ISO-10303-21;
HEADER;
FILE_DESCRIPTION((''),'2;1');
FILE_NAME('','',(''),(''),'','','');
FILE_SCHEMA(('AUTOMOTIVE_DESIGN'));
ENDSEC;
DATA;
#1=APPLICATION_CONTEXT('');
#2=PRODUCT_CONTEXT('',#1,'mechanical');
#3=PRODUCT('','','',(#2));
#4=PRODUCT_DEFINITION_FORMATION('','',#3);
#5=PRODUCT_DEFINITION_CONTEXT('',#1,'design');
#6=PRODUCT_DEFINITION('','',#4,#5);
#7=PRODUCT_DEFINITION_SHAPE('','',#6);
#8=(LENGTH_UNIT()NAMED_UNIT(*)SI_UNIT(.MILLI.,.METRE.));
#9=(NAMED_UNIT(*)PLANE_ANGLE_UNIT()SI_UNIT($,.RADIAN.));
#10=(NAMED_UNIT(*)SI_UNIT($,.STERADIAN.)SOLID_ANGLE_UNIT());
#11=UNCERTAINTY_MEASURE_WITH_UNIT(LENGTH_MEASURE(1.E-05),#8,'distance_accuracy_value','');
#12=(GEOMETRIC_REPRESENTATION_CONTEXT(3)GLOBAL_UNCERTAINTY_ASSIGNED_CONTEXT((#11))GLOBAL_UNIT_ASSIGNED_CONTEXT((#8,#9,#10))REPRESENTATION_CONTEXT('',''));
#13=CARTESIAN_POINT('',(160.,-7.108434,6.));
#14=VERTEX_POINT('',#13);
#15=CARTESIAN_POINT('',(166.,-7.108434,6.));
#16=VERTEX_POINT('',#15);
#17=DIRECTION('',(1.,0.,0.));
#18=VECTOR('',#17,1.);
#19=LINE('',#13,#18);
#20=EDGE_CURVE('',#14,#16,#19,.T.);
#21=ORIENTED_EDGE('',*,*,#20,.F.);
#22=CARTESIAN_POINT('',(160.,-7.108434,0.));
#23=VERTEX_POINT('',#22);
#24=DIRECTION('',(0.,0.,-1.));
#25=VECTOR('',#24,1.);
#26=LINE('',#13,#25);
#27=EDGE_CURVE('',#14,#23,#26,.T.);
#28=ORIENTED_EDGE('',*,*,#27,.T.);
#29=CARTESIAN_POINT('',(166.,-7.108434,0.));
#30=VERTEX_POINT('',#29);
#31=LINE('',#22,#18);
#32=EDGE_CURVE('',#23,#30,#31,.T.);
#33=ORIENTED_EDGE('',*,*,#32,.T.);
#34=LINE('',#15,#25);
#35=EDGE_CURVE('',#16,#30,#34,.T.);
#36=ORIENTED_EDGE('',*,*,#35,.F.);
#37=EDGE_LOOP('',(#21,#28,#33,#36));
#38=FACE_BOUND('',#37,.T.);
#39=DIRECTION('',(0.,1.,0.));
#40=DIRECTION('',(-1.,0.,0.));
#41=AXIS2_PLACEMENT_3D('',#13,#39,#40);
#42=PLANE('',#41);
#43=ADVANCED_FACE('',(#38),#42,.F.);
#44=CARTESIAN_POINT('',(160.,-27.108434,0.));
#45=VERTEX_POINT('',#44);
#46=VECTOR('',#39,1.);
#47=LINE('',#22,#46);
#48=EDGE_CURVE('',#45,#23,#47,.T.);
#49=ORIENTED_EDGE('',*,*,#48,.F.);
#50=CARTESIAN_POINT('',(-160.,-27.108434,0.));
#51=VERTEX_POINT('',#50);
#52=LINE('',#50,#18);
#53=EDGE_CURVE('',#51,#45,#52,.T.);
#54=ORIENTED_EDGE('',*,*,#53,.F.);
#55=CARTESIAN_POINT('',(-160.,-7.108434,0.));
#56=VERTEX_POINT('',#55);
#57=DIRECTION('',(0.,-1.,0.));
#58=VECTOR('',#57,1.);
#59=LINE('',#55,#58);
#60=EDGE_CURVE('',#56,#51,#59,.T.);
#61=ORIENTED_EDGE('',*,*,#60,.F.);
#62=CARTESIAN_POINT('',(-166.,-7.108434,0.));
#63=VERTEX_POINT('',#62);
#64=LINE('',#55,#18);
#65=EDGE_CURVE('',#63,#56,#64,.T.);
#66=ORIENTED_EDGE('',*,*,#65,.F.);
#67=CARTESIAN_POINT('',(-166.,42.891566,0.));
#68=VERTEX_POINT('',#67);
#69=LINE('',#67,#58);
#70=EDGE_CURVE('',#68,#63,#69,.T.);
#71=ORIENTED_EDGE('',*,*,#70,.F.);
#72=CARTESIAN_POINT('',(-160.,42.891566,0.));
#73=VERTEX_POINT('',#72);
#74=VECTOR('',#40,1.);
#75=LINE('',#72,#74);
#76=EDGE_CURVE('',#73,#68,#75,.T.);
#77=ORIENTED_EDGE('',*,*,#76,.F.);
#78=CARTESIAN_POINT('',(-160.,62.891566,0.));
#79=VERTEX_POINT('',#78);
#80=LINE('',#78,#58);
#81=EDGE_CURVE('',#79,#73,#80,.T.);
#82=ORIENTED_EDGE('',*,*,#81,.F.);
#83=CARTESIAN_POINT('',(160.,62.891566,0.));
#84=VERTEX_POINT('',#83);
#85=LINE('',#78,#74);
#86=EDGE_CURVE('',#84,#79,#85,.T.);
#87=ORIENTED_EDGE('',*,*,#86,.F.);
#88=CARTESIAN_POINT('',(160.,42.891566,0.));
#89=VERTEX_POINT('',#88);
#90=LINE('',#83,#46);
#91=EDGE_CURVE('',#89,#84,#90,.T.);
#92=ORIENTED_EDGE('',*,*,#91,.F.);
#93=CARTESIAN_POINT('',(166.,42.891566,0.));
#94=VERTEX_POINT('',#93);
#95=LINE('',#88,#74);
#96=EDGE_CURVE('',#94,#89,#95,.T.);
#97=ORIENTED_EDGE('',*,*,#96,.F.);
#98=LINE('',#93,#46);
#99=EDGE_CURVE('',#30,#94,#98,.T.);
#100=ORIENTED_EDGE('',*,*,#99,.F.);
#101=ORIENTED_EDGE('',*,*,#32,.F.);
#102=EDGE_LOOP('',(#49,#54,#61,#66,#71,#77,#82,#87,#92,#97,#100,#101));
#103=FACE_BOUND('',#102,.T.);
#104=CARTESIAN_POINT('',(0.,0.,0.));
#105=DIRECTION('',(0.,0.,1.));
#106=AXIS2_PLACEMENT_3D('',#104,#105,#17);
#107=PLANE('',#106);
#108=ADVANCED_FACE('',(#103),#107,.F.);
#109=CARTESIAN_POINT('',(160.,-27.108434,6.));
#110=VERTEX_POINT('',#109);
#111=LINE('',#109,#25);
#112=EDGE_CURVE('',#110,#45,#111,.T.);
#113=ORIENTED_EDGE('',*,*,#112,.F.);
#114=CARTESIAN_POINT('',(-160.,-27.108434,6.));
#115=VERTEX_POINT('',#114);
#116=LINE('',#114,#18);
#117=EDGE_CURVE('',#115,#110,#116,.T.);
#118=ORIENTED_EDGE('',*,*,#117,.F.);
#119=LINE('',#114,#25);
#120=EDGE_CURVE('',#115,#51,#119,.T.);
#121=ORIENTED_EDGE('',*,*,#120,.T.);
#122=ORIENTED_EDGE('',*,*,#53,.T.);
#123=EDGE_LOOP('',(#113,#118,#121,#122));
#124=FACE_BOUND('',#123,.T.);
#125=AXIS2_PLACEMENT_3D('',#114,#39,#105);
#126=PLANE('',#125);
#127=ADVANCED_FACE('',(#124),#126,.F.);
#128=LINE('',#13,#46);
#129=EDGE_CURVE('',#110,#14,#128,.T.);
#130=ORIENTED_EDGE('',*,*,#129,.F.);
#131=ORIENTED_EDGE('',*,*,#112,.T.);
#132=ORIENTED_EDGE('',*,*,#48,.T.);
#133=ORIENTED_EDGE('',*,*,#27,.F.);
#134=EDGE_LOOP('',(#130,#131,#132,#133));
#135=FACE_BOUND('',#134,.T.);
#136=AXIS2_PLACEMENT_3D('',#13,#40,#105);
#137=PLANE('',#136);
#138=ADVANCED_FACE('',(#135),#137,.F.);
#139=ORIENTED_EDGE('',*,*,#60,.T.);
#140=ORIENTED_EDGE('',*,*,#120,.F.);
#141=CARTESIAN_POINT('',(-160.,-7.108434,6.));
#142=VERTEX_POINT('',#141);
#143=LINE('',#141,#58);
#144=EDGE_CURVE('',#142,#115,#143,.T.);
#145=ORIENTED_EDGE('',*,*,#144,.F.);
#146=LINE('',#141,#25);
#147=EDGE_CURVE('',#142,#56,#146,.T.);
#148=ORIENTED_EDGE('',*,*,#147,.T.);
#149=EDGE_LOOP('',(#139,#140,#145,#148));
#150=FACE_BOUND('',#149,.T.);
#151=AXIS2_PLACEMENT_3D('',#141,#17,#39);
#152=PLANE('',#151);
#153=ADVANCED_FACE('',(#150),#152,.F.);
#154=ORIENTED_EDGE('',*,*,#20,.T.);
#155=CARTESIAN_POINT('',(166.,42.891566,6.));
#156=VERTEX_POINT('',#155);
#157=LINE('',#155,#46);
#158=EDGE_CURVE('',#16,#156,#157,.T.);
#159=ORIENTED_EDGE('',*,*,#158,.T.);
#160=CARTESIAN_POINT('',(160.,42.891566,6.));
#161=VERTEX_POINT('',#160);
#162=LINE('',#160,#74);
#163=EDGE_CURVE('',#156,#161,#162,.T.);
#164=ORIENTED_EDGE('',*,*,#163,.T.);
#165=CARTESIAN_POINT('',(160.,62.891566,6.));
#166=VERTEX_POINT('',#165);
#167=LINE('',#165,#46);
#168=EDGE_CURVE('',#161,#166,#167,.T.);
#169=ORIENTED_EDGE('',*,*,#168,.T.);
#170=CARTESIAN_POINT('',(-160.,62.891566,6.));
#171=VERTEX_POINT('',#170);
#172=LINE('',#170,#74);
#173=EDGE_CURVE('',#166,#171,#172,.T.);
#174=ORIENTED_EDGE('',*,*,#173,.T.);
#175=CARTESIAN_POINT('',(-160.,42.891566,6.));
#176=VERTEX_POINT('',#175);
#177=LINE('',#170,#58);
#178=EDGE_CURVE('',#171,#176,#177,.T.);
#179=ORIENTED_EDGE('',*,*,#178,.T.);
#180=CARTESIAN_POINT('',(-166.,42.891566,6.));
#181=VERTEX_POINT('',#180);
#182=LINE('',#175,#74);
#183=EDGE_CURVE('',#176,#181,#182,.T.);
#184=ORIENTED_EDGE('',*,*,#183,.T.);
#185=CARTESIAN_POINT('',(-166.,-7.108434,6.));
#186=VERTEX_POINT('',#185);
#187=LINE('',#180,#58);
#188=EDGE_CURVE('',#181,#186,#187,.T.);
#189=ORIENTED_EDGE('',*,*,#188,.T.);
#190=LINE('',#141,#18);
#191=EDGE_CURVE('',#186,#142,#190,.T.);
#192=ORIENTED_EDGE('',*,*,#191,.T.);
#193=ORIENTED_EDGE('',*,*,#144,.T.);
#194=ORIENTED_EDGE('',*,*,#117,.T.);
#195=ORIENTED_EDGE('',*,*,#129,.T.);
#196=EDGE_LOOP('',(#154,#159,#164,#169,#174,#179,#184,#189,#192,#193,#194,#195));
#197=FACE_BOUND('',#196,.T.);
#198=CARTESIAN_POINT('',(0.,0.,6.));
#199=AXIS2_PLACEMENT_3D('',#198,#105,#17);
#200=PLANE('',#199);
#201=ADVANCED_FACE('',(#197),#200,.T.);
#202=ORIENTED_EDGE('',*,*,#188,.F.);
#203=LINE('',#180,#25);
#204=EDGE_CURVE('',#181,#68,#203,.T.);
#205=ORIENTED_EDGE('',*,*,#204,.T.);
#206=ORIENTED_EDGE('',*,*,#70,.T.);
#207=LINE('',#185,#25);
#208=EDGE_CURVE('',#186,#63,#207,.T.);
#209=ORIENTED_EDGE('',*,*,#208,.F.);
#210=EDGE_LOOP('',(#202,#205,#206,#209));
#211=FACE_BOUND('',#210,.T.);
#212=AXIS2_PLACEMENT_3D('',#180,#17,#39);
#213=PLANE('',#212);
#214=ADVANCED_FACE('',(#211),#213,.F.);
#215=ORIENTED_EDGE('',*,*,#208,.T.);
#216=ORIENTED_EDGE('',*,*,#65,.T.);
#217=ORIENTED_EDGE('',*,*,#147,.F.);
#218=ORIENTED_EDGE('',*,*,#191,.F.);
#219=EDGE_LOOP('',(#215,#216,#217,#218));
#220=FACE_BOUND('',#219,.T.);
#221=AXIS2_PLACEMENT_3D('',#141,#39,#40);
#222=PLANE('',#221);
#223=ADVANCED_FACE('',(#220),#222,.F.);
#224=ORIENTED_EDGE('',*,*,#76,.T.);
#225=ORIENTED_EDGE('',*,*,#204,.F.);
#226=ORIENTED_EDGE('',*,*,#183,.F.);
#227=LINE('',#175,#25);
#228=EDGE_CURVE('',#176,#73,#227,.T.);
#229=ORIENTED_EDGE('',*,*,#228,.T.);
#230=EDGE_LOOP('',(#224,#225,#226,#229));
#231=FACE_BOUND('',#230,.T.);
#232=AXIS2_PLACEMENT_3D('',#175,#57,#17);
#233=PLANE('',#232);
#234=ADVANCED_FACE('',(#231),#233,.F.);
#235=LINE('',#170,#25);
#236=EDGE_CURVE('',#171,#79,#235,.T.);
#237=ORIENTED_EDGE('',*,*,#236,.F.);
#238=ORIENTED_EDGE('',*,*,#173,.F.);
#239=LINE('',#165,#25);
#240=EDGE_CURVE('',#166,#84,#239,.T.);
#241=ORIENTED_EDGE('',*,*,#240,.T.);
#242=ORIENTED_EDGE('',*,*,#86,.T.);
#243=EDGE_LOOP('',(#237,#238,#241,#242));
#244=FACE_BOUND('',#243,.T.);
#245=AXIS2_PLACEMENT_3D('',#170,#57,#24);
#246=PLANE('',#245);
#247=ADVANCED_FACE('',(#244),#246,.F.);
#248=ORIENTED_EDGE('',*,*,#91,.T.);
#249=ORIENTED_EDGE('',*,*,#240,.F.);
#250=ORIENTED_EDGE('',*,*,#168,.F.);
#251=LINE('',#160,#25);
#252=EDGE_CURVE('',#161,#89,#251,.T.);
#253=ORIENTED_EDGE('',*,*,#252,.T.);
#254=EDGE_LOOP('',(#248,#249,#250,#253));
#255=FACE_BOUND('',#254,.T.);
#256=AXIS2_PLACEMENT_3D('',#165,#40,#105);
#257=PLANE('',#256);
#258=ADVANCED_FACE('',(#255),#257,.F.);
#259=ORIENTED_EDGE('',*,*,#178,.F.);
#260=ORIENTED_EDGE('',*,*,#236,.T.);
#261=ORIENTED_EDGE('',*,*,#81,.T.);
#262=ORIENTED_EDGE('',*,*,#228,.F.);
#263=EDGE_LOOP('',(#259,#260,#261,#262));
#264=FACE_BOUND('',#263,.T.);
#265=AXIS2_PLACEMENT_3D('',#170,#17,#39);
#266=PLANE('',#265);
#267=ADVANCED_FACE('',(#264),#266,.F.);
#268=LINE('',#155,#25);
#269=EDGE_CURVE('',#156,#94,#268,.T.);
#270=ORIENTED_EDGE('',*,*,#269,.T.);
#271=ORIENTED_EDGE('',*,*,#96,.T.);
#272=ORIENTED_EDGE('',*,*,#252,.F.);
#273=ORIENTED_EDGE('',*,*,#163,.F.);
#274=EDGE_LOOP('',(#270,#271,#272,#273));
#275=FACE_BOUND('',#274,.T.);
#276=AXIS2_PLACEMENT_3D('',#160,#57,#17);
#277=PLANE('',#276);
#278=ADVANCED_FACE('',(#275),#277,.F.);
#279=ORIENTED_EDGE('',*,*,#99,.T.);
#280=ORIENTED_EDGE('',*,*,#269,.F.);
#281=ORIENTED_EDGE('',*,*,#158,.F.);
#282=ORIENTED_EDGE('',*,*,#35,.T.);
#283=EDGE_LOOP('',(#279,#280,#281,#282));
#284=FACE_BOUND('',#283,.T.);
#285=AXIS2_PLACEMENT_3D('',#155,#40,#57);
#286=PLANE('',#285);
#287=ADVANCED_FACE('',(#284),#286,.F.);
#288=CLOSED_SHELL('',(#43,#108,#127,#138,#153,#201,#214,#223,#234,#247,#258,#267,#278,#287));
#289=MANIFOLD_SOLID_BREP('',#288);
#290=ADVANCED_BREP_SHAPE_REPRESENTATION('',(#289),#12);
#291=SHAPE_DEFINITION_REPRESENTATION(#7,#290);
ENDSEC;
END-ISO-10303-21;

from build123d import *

# Parameters (mm, degrees)
BOSS_EXTRUDE1_DEPTH = 6


with BuildPart() as part:
    # Sketch1 → Boss-Extrude1 (new body)
    with BuildSketch(Plane.XY):
        Polygon((-160, 62.891566265), (160, 62.891566265), (160, 42.891566265), (166, 42.891566265), (166, -7.108433735), (160, -7.108433735), (160, -27.108433735), (-160, -27.108433735), (-160, -7.108433735), (-166, -7.108433735), (-166, 42.891566265), (-160, 42.891566265), align=None)
    extrude(amount=BOSS_EXTRUDE1_DEPTH)


solid = part.part
